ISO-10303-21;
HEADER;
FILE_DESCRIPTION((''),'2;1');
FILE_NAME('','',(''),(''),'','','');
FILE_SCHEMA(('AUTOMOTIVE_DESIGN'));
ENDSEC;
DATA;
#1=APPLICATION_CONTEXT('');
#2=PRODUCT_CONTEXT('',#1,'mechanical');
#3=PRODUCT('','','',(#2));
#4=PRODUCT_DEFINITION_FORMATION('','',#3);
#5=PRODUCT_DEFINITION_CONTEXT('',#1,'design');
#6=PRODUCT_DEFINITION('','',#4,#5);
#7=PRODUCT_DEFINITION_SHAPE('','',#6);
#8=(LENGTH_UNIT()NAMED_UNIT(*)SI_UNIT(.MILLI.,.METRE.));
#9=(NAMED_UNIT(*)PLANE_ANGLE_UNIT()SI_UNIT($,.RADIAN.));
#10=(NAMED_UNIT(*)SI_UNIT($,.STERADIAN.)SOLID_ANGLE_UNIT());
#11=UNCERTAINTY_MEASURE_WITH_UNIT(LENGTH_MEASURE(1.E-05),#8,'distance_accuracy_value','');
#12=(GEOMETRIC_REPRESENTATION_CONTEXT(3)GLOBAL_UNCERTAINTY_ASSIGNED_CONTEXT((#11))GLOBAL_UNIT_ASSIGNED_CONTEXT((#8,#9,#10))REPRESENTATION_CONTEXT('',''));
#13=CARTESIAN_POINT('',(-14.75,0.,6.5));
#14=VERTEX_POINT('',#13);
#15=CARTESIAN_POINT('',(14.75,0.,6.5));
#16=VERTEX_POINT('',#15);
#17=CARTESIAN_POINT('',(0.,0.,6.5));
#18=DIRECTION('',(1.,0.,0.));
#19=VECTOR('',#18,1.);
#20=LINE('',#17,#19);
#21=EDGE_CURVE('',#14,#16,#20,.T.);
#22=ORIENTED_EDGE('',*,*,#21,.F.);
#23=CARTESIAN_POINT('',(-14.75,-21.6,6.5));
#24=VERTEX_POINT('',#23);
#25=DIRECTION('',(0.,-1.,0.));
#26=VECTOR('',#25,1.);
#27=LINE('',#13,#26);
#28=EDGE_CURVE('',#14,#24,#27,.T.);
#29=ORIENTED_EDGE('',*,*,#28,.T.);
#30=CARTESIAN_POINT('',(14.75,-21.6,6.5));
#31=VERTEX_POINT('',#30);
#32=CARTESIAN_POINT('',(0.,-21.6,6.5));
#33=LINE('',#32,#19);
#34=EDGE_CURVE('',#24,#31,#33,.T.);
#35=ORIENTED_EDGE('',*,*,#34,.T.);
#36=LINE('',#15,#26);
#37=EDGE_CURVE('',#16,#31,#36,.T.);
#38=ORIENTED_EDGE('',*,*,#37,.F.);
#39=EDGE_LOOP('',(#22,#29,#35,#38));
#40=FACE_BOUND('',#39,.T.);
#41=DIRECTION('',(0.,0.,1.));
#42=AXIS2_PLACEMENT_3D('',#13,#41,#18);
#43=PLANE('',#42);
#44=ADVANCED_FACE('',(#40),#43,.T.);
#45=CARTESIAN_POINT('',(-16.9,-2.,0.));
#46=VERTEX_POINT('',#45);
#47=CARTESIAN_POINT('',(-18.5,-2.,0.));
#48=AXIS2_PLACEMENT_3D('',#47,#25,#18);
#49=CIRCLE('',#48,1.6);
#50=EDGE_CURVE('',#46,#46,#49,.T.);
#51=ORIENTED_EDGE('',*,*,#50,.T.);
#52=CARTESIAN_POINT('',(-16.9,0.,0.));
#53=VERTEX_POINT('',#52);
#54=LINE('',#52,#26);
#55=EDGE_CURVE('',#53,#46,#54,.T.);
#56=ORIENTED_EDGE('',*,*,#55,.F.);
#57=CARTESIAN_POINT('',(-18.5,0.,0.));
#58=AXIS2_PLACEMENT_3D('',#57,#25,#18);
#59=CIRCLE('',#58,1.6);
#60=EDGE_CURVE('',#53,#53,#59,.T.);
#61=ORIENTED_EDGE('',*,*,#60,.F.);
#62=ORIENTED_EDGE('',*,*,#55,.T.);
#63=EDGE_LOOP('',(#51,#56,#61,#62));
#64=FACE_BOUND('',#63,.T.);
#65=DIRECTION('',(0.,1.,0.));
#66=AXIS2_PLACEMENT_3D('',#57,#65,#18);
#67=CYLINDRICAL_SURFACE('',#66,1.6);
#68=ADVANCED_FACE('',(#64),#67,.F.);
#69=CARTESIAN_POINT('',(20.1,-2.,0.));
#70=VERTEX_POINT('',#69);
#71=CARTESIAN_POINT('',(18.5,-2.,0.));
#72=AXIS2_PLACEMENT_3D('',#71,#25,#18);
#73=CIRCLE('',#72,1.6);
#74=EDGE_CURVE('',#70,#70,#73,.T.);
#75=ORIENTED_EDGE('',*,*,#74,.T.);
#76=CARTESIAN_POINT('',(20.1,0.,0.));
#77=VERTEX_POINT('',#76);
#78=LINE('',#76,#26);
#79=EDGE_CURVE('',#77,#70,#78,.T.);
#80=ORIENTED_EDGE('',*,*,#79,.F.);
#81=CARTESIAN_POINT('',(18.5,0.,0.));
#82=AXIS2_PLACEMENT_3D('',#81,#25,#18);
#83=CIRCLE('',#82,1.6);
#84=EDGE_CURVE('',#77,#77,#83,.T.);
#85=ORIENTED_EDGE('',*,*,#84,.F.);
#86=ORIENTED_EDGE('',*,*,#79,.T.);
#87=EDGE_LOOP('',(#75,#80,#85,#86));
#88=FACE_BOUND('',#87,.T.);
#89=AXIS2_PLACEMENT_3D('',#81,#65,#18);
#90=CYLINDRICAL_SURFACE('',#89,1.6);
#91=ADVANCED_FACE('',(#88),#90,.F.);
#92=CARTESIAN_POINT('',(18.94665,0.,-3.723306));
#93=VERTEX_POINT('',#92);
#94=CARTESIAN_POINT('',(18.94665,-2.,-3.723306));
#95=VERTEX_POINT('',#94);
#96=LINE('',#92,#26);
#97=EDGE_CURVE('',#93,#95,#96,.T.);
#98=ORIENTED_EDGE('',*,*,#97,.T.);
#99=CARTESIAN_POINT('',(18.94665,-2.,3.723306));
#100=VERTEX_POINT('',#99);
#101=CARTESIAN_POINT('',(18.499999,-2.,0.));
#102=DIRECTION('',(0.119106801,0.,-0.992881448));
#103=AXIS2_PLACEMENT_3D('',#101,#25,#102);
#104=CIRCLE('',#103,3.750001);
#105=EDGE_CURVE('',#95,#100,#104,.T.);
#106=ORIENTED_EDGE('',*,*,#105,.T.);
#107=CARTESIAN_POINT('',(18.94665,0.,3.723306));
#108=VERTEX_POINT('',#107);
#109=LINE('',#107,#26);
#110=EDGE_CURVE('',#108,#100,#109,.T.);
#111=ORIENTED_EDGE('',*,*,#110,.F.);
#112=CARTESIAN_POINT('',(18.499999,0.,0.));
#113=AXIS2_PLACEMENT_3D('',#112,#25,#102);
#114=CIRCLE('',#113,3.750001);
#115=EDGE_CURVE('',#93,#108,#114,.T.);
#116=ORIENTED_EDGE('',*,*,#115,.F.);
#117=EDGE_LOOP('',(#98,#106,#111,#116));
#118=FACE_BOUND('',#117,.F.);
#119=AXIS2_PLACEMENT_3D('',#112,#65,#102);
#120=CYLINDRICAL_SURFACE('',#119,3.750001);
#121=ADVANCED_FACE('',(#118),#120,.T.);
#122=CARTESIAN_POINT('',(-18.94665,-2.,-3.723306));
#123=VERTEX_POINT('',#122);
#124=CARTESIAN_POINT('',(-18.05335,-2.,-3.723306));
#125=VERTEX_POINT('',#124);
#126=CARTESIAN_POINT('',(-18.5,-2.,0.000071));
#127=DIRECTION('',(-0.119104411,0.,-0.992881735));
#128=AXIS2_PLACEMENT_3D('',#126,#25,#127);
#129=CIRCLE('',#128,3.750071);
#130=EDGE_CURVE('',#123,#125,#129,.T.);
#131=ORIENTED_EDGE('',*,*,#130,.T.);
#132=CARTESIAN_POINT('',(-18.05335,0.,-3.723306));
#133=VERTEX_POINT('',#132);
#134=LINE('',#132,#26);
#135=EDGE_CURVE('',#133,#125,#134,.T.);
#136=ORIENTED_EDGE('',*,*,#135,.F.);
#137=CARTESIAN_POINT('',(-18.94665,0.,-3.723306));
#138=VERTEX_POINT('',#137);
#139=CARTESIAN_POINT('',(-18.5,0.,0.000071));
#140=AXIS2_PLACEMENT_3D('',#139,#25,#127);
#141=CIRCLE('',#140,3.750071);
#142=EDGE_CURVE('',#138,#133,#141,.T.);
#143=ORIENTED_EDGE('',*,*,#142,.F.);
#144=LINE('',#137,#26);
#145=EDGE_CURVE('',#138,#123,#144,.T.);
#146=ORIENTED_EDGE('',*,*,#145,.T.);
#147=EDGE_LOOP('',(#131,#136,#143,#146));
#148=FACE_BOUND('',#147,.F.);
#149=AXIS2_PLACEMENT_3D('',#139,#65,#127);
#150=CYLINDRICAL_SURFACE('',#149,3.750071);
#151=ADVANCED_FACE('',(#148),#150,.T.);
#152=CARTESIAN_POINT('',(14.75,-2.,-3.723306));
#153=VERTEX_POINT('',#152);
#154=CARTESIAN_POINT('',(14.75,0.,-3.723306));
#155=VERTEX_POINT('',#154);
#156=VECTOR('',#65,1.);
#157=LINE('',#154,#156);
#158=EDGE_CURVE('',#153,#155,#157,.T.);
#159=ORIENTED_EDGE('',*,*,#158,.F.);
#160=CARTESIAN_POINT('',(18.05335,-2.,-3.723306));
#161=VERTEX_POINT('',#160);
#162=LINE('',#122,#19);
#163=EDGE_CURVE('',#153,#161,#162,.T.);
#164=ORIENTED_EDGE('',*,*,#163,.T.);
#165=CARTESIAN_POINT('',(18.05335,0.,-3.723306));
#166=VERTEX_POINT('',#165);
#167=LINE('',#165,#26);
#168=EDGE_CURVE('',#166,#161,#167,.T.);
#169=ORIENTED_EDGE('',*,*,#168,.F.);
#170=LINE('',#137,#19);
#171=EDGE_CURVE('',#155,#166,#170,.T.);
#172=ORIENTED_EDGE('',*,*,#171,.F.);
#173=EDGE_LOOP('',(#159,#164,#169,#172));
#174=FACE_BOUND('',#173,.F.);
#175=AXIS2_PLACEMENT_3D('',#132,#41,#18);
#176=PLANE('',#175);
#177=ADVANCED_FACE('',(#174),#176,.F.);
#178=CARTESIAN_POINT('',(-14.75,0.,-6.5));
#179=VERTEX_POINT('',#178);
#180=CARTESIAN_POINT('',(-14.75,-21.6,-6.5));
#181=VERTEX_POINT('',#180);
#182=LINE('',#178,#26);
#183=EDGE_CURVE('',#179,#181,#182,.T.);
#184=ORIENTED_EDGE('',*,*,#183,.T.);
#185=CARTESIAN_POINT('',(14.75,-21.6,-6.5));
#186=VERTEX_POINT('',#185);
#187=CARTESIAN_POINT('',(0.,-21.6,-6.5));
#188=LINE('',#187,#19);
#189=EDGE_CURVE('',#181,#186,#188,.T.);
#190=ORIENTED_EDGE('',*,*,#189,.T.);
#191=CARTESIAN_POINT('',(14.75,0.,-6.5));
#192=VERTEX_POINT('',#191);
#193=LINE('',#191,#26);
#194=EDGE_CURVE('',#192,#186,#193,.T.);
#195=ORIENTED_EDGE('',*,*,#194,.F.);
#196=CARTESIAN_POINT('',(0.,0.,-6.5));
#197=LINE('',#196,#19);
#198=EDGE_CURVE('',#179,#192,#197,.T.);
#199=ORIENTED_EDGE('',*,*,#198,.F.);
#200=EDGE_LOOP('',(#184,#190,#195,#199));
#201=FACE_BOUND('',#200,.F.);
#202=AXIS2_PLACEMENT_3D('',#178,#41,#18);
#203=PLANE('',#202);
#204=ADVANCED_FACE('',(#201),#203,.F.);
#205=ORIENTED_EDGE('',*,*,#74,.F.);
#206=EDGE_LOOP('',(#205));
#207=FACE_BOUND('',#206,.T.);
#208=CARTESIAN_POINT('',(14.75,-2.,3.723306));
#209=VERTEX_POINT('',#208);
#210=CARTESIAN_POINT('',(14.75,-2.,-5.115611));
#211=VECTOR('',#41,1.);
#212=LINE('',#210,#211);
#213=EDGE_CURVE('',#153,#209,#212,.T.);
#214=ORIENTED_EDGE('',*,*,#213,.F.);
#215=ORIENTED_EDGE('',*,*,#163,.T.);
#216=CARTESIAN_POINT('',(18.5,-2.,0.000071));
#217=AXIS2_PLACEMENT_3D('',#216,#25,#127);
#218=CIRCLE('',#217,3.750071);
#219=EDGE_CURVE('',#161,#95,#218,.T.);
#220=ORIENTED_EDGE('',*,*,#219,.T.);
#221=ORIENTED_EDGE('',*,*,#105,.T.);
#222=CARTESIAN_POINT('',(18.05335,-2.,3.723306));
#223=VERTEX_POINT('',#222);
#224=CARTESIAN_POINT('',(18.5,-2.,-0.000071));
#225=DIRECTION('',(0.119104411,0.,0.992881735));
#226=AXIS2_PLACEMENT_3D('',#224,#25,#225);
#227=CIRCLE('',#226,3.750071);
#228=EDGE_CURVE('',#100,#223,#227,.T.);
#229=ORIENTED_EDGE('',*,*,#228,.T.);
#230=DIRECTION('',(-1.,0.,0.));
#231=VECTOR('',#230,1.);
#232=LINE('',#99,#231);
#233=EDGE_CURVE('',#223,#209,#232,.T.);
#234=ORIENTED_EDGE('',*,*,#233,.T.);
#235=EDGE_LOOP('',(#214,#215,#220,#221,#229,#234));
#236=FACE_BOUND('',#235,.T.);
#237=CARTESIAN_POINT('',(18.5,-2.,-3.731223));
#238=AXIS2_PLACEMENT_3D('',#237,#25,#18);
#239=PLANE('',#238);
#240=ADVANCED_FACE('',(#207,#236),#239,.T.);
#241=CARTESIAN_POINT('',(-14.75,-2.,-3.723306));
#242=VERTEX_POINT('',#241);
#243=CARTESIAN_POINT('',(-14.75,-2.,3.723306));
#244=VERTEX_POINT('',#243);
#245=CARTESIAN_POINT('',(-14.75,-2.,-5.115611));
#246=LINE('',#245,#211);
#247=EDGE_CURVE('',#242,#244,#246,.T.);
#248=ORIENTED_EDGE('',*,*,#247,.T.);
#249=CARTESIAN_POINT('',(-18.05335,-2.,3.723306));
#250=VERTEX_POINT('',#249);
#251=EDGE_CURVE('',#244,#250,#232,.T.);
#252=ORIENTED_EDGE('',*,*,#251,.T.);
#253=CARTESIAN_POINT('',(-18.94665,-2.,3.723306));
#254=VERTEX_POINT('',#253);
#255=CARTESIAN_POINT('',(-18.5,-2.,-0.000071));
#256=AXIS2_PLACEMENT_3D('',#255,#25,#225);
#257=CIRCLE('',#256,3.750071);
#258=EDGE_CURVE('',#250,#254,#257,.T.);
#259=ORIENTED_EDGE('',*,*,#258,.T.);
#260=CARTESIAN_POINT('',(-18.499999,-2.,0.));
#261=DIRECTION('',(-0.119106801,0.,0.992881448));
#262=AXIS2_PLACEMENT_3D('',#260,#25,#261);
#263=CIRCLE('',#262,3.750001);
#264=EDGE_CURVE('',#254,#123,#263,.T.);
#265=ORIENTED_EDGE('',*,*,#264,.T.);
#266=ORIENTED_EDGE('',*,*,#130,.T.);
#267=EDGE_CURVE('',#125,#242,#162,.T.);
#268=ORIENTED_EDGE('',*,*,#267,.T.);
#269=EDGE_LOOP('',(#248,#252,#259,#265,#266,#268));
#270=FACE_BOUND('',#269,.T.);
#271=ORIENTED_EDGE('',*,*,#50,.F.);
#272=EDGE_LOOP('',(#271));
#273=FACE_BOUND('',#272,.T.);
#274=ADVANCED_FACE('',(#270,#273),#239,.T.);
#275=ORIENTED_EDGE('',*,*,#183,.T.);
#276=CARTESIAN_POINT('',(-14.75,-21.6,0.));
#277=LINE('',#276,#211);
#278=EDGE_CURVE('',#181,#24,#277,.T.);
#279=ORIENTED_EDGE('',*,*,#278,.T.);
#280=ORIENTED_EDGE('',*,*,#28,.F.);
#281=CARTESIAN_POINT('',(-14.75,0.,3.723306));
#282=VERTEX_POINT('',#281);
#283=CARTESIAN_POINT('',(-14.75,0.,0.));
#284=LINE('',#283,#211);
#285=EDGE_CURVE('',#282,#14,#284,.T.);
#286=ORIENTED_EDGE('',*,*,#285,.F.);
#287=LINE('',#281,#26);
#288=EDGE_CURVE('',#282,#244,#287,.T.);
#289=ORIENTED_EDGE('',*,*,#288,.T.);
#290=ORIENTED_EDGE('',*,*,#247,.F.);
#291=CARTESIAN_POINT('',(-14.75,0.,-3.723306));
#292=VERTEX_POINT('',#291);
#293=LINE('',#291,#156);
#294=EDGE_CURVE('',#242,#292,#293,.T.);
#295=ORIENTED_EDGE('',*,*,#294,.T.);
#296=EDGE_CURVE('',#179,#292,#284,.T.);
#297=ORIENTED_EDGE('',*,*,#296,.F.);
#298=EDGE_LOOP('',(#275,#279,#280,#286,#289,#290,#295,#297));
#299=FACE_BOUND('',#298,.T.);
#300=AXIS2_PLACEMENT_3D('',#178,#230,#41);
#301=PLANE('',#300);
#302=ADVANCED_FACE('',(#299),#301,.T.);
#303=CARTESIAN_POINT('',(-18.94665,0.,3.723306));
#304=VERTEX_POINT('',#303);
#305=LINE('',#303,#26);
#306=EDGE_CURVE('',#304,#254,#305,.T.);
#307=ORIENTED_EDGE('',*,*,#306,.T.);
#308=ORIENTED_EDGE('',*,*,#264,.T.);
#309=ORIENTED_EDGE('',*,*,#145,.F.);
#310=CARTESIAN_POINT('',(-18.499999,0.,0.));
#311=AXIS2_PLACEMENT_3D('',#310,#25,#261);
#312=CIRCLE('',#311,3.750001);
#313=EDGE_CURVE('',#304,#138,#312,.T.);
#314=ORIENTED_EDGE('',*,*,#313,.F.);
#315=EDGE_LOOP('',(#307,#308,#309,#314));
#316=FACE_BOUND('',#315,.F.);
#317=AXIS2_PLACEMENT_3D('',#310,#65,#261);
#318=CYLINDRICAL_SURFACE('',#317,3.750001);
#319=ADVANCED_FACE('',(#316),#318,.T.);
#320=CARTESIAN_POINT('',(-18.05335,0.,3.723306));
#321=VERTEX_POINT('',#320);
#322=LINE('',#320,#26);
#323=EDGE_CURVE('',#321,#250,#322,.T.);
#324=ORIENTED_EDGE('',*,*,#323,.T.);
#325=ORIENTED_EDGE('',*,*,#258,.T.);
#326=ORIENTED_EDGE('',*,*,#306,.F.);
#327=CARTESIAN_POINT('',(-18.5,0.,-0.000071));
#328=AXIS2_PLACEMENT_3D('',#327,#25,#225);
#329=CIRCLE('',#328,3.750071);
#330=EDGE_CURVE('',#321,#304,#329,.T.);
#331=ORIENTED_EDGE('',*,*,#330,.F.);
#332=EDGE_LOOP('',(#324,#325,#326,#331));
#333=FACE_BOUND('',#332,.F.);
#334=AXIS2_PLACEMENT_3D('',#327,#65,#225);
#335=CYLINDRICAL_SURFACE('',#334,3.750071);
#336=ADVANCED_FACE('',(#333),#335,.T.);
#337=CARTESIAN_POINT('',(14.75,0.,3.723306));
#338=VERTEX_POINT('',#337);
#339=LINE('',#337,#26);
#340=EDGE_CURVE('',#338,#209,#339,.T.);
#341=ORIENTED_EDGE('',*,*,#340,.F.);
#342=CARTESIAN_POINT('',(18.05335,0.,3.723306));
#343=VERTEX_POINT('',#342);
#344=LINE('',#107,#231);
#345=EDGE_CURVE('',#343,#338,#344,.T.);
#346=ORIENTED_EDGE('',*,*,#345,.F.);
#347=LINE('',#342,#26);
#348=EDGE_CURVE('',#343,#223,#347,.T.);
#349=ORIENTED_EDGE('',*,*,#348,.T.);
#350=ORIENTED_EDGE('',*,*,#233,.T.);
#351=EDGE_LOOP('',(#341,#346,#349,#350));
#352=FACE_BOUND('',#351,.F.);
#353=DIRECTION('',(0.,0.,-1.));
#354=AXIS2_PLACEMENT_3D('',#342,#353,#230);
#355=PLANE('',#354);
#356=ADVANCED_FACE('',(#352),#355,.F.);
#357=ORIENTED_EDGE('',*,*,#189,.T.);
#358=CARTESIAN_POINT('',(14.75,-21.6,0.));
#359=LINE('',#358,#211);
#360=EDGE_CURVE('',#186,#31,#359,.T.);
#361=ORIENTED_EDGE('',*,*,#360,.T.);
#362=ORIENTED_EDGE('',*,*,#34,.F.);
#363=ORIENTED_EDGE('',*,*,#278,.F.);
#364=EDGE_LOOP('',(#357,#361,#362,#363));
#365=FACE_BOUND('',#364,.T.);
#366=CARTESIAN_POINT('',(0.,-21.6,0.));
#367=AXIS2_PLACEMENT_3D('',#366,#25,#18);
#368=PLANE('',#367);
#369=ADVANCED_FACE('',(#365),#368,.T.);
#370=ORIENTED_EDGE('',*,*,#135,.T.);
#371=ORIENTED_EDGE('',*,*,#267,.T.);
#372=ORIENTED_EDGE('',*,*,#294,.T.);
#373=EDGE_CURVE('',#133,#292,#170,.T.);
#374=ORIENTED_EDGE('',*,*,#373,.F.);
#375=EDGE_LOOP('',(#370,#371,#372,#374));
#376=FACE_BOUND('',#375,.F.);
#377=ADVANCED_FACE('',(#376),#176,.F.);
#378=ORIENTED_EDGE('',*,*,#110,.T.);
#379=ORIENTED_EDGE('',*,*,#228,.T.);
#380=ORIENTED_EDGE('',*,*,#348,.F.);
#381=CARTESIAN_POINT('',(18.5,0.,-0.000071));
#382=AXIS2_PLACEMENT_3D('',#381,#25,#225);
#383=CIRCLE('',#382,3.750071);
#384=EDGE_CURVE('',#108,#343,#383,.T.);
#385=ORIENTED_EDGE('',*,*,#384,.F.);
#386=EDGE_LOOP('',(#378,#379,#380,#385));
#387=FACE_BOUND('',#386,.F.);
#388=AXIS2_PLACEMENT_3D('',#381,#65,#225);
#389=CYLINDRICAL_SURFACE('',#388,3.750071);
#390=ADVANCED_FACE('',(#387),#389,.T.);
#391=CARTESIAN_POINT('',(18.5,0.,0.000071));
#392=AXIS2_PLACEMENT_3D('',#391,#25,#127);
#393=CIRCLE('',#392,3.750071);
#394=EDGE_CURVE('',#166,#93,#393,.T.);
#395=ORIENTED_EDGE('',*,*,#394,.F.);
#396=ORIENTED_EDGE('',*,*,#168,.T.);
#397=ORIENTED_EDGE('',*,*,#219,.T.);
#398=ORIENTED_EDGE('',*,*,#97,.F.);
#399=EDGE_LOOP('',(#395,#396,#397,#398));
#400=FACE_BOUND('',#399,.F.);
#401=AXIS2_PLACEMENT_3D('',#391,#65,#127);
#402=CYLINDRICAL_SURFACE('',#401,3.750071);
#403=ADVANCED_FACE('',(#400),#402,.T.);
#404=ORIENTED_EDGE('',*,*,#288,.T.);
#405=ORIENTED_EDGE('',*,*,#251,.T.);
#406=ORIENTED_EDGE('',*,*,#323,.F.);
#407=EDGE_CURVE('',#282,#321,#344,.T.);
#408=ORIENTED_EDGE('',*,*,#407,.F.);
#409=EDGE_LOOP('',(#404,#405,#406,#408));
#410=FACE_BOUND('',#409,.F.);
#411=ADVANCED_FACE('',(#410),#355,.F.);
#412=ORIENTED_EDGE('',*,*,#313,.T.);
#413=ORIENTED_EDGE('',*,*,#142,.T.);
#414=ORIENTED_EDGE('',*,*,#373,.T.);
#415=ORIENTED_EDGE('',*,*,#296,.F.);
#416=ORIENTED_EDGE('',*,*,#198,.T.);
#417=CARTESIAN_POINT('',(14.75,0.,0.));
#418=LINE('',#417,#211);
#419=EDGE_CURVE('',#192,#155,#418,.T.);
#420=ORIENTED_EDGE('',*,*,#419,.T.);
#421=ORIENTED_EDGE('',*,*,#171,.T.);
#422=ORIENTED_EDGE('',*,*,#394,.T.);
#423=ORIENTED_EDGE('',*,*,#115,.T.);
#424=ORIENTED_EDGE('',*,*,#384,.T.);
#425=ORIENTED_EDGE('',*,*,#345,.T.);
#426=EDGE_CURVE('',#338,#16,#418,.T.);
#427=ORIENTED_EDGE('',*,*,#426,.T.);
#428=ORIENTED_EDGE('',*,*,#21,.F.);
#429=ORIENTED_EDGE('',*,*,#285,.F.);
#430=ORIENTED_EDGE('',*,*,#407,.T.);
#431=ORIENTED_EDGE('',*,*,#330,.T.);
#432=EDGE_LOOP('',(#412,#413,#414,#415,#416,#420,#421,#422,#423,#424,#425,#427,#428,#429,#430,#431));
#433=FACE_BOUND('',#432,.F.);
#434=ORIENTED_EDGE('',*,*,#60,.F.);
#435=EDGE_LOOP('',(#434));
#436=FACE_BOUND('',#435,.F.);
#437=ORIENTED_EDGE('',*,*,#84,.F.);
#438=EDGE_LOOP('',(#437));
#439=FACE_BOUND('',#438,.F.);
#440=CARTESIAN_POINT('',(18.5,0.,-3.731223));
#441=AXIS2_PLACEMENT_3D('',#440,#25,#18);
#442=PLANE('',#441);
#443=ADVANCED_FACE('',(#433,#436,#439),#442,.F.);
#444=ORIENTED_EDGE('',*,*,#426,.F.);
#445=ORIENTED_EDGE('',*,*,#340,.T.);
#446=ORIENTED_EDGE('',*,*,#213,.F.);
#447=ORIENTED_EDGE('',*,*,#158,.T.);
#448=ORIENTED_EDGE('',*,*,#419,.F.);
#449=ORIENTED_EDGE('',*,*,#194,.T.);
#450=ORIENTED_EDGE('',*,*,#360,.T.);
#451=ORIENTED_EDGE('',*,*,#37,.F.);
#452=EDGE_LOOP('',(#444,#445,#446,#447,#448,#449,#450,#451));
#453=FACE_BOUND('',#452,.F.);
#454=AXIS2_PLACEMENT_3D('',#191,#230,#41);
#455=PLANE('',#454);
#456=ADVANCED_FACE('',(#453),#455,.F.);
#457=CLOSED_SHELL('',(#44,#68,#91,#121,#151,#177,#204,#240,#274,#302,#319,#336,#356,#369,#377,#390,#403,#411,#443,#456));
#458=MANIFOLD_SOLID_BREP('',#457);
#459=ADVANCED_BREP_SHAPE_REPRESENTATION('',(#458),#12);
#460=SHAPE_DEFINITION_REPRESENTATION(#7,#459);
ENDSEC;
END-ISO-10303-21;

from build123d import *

# Parameters (mm, degrees)
F0_W     = 29.5
F0_H     = 13
F1_DEPTH = 21.6
F2_R     = 1.6
F3_DEPTH = 2


with BuildPart() as f1:
    # F0 (on Front) → F1 (new body)
    with BuildSketch(Plane.XZ):
        Rectangle(F0_W, F0_H)
    extrude(amount=F1_DEPTH)

    # F2 (on Front) → F3 (join)
    with BuildSketch(Plane.XZ):
        with BuildLine():
            Line((18.94665, -3.723306), (18.05335, -3.723306))
            ThreePointArc((18.05335, -3.723306), (18.5, -3.75), (18.94665, -3.723306))
        make_face()
        with BuildLine():
            Line((0, -3.723306), (18.05335, -3.723306))
            Line((18.05335, -3.723306), (18.94665, -3.723306))
            ThreePointArc((18.94665, -3.723306), (22.25, 0), (18.94665, 3.723306))
            Line((18.94665, 3.723306), (18.05335, 3.723306))
            Line((18.05335, 3.723306), (0, 3.723306))
            Line((0, 3.723306), (0, -3.723306))
        make_face()
        with Locations((18.5, 0)):
            Circle(F2_R, mode=Mode.SUBTRACT)
        with BuildLine():
            Line((-18.05335, -3.723306), (0, -3.723306))
            Line((0, -3.723306), (0, 3.723306))
            Line((0, 3.723306), (-18.05335, 3.723306))
            Line((-18.05335, 3.723306), (-18.94665, 3.723306))
            ThreePointArc((-18.94665, 3.723306), (-22.25, 0), (-18.94665, -3.723306))
            Line((-18.94665, -3.723306), (-18.05335, -3.723306))
        make_face()
        with Locations((-18.5, 0)):
            Circle(F2_R, mode=Mode.SUBTRACT)
        with BuildLine():
            Line((18.05335, 3.723306), (18.94665, 3.723306))
            ThreePointArc((18.94665, 3.723306), (18.5, 3.75), (18.05335, 3.723306))
        make_face()
        with BuildLine():
            ThreePointArc((-18.94665, -3.723306), (-18.5, -3.75), (-18.05335, -3.723306))
            Line((-18.05335, -3.723306), (-18.94665, -3.723306))
        make_face()
        with BuildLine():
            Line((-18.94665, 3.723306), (-18.05335, 3.723306))
            ThreePointArc((-18.05335, 3.723306), (-18.5, 3.75), (-18.94665, 3.723306))
        make_face()
    extrude(amount=F3_DEPTH)


solid = f1.part
